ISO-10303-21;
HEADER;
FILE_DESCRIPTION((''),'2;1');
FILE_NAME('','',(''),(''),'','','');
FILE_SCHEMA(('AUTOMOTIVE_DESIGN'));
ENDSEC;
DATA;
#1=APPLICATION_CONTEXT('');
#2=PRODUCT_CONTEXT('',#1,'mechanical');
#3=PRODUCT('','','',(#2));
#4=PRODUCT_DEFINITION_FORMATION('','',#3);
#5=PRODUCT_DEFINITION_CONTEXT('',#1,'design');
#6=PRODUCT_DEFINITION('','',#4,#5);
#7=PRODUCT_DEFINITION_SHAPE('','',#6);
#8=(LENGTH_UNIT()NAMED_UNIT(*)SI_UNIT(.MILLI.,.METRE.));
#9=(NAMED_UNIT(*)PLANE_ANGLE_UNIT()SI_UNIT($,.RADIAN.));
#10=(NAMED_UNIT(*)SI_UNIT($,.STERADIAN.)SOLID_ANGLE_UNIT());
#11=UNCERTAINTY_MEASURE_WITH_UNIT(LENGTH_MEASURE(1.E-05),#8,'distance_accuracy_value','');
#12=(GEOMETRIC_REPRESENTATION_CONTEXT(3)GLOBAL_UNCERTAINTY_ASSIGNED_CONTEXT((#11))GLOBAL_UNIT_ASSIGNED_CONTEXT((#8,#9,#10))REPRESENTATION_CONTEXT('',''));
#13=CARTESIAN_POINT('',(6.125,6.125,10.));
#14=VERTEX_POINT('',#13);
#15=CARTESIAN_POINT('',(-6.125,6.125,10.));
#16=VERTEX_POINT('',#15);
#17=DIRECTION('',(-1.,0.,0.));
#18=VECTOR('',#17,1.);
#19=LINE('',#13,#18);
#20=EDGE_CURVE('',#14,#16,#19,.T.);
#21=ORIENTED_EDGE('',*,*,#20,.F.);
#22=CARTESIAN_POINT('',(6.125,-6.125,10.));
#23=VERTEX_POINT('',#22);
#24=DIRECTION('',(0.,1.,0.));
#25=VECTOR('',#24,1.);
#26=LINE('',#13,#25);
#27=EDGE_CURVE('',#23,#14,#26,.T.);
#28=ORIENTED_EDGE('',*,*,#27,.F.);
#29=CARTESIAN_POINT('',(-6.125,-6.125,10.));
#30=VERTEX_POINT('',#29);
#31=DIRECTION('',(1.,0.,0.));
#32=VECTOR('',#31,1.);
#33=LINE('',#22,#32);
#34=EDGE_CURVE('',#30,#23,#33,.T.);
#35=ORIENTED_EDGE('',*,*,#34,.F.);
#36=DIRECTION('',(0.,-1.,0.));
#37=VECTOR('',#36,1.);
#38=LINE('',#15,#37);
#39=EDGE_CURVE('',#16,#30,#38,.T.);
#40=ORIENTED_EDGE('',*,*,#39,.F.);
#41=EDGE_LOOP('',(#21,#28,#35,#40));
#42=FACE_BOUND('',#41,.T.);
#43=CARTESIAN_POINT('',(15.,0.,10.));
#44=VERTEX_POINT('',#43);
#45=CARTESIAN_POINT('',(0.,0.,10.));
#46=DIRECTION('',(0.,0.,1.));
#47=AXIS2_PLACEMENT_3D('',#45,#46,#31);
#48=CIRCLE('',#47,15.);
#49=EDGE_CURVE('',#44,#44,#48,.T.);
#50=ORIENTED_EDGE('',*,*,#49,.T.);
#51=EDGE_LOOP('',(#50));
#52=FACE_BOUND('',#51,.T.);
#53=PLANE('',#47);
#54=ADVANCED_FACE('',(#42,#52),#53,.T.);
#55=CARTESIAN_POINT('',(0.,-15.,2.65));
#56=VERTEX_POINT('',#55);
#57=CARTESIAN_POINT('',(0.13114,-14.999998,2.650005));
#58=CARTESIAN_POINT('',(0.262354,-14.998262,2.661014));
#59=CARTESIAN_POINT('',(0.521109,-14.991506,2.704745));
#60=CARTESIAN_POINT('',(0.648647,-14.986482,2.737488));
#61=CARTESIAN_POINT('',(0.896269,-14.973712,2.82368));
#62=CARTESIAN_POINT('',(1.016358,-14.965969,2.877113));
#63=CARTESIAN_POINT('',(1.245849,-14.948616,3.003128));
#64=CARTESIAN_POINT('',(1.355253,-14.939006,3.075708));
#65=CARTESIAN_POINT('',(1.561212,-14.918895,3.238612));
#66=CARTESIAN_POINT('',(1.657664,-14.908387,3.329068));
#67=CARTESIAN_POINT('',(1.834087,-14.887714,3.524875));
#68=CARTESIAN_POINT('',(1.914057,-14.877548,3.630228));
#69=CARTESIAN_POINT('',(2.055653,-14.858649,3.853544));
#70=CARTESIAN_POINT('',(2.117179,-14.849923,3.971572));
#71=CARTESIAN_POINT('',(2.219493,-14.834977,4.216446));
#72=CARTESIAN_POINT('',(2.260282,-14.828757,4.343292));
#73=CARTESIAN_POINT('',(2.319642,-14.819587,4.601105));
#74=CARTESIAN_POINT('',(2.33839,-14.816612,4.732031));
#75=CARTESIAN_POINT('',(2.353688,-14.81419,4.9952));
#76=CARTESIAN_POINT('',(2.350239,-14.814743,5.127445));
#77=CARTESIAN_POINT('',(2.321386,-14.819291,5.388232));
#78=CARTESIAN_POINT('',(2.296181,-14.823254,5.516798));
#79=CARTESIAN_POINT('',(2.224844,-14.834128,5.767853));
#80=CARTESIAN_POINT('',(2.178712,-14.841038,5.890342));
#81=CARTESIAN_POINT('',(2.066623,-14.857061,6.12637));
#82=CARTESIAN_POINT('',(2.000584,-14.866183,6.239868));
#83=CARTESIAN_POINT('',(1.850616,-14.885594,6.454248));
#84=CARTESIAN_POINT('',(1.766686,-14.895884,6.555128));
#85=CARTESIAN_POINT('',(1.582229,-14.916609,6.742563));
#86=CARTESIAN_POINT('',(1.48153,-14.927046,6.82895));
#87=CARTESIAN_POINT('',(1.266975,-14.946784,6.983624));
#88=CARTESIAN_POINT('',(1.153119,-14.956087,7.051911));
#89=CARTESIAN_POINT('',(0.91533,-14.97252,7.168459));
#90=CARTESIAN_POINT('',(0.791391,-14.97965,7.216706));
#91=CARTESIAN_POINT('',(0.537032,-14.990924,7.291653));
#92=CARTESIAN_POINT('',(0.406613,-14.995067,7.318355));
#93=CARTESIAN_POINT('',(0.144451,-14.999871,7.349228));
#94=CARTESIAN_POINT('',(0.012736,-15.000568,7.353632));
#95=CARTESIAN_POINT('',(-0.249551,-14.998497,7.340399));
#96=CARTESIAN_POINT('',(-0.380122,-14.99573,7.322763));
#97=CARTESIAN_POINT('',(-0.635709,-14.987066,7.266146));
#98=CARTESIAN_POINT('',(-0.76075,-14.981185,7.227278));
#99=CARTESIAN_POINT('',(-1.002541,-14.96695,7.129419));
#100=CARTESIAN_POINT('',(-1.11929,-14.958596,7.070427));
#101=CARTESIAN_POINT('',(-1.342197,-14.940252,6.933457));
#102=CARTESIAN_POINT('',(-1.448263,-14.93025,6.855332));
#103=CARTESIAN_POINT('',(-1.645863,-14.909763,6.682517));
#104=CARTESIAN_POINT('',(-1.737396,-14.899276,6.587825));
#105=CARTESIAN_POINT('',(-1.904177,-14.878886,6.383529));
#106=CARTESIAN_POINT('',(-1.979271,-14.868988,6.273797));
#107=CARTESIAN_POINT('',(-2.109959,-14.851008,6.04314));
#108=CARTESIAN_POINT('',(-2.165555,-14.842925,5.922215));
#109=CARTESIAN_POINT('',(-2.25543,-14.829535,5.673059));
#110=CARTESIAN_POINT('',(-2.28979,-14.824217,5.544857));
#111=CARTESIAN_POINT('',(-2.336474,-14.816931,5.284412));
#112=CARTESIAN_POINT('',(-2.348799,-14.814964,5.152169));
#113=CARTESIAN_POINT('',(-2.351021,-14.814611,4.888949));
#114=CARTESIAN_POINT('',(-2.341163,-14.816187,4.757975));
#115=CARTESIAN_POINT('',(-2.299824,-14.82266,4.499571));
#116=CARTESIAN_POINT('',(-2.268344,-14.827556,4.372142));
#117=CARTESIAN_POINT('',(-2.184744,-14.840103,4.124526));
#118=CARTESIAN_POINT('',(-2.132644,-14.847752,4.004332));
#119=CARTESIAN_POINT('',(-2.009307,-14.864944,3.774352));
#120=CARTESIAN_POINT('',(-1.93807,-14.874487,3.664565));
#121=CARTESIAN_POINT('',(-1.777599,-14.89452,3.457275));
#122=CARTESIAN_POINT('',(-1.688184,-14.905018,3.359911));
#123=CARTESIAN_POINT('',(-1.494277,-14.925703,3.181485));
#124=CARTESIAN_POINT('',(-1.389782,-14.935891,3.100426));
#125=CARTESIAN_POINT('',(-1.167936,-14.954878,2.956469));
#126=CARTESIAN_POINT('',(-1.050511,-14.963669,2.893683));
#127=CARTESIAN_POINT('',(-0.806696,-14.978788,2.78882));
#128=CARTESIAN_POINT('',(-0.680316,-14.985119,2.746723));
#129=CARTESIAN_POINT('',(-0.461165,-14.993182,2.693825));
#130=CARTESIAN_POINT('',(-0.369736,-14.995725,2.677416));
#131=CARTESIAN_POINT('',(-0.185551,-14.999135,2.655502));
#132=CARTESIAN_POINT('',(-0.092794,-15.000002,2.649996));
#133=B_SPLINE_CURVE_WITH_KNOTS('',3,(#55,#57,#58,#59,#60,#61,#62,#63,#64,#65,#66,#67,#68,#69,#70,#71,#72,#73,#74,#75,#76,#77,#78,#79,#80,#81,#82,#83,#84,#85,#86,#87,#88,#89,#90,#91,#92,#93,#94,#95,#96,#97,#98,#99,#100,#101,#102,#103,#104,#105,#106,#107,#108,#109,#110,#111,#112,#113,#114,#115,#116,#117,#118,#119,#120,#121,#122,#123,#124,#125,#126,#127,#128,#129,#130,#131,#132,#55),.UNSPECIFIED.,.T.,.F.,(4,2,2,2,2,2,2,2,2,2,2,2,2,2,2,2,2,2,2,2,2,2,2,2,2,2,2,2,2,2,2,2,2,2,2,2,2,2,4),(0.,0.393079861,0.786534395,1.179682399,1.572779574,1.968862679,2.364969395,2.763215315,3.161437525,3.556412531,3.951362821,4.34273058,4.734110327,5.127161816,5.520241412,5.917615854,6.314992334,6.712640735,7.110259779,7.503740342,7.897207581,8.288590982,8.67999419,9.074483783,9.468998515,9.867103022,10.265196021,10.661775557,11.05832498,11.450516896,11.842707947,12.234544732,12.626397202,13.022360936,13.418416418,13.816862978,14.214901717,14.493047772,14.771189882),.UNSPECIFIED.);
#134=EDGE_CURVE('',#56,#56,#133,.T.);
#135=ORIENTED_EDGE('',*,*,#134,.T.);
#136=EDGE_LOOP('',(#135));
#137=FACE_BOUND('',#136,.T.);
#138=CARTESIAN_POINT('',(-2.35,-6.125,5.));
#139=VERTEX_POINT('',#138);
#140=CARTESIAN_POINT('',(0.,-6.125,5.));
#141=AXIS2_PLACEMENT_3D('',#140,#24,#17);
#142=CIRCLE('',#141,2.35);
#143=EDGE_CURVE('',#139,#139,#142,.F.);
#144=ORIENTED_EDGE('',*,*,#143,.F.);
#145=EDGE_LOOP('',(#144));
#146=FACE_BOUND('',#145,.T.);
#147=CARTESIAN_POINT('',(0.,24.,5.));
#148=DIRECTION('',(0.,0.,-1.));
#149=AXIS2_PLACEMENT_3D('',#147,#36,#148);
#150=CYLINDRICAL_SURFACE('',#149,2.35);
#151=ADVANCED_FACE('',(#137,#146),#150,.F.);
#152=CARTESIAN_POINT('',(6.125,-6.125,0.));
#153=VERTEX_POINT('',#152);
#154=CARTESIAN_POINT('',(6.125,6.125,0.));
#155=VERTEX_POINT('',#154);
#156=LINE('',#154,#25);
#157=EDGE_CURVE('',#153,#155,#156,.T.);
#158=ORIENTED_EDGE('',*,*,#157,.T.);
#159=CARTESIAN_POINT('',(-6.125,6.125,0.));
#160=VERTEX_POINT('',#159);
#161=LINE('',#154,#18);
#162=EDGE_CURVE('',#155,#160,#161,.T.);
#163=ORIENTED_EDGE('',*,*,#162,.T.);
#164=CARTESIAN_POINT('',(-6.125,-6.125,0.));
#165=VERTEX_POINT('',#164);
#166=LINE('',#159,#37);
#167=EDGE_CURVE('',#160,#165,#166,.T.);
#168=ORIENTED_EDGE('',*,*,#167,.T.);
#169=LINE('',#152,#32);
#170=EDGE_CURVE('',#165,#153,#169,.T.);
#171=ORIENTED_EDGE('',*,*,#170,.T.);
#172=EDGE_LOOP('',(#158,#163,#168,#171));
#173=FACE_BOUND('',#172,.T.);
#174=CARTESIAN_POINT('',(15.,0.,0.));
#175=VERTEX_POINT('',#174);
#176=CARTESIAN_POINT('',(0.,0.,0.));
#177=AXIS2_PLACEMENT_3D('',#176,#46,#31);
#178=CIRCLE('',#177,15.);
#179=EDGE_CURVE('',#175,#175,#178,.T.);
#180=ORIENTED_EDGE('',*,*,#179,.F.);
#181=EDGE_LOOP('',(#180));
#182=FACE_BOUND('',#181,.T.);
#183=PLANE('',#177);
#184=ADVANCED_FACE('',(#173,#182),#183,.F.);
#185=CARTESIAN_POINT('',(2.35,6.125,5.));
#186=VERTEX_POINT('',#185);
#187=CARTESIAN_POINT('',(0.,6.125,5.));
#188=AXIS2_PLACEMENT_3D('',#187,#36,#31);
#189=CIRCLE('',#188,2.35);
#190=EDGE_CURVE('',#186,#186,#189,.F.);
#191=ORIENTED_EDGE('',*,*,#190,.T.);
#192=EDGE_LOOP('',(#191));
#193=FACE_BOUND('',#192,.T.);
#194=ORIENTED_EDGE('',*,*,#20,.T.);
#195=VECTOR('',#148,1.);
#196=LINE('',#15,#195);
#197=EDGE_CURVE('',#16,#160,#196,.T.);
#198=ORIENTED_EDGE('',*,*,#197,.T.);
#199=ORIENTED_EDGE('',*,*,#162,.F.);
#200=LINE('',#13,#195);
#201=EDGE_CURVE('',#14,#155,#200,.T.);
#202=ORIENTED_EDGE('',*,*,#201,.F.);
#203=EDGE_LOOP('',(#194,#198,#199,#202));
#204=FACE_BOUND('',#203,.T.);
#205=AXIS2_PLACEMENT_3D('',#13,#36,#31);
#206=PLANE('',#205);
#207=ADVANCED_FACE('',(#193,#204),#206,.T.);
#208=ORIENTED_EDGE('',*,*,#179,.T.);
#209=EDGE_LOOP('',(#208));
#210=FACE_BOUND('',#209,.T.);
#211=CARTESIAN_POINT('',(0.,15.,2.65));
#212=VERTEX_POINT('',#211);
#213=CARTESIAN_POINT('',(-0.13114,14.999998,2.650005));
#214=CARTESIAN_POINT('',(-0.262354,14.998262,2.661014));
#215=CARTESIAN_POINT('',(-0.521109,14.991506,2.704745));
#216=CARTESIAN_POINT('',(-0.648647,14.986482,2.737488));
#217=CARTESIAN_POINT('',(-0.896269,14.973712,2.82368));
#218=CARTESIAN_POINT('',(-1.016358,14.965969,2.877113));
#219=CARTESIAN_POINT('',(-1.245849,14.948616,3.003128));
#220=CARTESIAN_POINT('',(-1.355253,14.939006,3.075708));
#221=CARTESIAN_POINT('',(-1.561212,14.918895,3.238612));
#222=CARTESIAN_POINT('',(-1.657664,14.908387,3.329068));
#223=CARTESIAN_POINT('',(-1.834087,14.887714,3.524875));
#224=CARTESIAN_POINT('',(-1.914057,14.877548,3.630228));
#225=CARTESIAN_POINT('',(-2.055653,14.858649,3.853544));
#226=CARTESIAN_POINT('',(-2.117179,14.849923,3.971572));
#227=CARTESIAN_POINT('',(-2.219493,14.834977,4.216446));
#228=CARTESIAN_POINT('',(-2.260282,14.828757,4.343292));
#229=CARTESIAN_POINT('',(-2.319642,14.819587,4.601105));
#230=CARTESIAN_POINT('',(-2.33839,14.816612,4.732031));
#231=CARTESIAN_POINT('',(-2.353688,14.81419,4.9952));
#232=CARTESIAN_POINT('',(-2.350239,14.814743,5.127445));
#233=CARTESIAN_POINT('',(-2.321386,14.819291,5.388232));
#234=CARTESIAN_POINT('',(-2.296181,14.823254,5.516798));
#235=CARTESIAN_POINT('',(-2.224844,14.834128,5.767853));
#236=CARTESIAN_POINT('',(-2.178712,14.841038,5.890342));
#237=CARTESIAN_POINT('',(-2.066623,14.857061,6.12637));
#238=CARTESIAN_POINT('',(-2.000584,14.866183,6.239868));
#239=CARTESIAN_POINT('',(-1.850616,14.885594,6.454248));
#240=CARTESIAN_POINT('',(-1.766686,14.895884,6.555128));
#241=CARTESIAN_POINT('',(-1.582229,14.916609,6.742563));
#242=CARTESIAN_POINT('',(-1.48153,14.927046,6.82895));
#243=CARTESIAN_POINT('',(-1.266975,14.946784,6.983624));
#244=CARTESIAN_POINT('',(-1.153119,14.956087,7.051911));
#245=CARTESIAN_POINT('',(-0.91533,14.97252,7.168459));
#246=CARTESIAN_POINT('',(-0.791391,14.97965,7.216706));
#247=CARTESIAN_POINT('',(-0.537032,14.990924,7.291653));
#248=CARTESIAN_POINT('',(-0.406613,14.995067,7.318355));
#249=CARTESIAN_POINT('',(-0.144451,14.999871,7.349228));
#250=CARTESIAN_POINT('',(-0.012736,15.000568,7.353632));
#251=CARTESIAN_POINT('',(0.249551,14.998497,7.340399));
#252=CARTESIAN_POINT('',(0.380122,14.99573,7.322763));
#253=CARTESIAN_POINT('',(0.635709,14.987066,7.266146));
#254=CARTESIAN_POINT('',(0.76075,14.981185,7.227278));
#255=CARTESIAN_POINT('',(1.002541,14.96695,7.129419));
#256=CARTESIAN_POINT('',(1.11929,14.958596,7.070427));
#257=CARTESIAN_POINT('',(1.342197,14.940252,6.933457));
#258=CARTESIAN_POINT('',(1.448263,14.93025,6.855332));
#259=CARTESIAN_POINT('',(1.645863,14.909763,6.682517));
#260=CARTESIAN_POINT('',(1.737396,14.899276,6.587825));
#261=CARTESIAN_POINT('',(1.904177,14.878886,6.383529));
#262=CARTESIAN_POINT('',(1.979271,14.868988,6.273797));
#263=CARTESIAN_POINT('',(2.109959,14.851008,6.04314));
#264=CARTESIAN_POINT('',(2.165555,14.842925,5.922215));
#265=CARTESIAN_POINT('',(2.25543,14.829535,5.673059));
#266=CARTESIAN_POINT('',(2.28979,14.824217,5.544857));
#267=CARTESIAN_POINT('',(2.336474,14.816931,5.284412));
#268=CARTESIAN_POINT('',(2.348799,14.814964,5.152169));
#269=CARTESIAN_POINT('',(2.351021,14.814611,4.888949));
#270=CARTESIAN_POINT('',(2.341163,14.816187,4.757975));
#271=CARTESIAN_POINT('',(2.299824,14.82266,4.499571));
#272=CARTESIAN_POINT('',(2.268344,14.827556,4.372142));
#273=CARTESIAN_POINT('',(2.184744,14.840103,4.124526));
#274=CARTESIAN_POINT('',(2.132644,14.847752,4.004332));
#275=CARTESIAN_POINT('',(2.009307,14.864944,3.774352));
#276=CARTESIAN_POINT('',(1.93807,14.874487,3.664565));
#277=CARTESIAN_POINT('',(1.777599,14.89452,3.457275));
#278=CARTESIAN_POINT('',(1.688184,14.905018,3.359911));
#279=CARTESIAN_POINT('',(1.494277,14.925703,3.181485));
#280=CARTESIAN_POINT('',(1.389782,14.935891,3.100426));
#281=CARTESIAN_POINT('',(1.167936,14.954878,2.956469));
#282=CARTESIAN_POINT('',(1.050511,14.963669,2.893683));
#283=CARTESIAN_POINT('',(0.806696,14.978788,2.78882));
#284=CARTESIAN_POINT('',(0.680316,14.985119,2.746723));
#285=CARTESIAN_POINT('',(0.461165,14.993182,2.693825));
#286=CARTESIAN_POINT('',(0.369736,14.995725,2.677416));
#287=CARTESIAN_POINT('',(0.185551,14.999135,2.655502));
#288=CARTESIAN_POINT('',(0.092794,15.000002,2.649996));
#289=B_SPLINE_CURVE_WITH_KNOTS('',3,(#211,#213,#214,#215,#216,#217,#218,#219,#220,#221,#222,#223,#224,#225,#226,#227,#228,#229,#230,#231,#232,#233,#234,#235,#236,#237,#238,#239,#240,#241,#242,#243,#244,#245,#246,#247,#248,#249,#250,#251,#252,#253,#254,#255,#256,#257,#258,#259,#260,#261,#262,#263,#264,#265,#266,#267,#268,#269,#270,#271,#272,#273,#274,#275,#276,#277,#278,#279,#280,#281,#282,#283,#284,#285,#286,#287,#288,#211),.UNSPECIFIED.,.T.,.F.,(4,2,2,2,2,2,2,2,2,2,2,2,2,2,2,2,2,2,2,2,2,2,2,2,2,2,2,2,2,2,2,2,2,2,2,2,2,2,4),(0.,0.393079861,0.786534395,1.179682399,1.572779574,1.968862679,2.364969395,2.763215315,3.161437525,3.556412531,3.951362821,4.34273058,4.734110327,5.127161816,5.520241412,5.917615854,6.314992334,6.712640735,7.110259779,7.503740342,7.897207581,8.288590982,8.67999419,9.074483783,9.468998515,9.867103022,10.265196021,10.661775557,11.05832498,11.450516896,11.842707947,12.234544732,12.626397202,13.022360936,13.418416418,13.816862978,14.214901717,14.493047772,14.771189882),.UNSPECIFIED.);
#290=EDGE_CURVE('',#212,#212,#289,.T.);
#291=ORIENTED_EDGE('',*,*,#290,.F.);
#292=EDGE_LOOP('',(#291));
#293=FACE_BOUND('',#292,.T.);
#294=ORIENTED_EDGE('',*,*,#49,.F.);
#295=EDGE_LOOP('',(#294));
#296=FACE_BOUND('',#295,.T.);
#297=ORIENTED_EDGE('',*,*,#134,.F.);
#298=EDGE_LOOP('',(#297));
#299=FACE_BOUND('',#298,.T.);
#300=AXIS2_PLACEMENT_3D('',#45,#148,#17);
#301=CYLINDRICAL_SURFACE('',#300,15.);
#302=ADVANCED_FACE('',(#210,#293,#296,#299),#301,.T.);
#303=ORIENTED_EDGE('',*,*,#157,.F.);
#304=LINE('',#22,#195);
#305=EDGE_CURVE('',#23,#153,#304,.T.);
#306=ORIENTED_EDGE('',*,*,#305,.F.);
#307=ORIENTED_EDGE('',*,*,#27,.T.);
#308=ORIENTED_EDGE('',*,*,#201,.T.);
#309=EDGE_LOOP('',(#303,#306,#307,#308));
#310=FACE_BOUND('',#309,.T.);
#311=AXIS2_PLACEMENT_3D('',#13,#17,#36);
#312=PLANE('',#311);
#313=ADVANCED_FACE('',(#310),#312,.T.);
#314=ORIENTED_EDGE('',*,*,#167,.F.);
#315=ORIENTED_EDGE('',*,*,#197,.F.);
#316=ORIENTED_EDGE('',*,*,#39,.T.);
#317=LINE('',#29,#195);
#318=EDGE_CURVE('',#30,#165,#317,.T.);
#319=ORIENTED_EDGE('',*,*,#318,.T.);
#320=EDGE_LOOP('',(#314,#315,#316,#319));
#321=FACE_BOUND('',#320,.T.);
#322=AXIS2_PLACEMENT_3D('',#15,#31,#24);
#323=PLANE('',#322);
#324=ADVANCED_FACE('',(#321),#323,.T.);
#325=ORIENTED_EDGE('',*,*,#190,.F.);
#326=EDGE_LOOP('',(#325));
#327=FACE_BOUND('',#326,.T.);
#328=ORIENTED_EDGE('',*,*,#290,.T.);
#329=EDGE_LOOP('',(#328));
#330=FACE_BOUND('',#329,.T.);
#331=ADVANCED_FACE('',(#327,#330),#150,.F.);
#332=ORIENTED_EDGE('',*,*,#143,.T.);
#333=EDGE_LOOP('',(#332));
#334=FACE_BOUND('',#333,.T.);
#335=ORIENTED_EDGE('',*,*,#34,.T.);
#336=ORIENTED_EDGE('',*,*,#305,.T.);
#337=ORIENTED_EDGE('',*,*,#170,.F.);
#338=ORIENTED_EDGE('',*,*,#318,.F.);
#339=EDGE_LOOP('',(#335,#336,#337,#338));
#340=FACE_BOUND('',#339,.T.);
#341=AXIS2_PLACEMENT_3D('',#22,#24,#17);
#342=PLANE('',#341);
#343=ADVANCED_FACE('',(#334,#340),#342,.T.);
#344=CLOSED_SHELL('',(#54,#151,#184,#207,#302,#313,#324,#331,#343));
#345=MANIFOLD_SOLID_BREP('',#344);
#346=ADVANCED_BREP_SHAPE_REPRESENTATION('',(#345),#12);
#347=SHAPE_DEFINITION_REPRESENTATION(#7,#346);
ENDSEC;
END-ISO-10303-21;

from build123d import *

# Parameters (mm, degrees)
ESBO_O1_R                  = 15
ESBO_O1_W                  = 12.25
ESBO_O1_H                  = 12.25
RESSALTO_EXTRUS_O1_DEPTH   = 10
CORTE_EXTRUS_O1_DEPTH      = 24
CORTE_EXTRUS_O1_DEPTH_BACK = 24
ESBO_O2_R                  = 2.35


with BuildPart() as part:
    # Esboço1 → Ressalto-extrusão1 (new body)
    with BuildSketch(Plane.XY):
        Circle(ESBO_O1_R)
        Rectangle(ESBO_O1_W, ESBO_O1_H, mode=Mode.SUBTRACT)
    extrude(amount=RESSALTO_EXTRUS_O1_DEPTH)

    # Esboço2 → Corte-extrusão1 (cut, two sides: drawn at the far end of the back side and taken through both)
    with BuildSketch(Plane(origin=(0, 0, 0), x_dir=(1, 0, 0), z_dir=(0, 1, 0)).offset(-CORTE_EXTRUS_O1_DEPTH_BACK)):
        with Locations(Location((0, -5, 0), (0, 0, 90))):
            Circle(ESBO_O2_R)
    extrude(amount=CORTE_EXTRUS_O1_DEPTH + CORTE_EXTRUS_O1_DEPTH_BACK, mode=Mode.SUBTRACT)


solid = part.part
